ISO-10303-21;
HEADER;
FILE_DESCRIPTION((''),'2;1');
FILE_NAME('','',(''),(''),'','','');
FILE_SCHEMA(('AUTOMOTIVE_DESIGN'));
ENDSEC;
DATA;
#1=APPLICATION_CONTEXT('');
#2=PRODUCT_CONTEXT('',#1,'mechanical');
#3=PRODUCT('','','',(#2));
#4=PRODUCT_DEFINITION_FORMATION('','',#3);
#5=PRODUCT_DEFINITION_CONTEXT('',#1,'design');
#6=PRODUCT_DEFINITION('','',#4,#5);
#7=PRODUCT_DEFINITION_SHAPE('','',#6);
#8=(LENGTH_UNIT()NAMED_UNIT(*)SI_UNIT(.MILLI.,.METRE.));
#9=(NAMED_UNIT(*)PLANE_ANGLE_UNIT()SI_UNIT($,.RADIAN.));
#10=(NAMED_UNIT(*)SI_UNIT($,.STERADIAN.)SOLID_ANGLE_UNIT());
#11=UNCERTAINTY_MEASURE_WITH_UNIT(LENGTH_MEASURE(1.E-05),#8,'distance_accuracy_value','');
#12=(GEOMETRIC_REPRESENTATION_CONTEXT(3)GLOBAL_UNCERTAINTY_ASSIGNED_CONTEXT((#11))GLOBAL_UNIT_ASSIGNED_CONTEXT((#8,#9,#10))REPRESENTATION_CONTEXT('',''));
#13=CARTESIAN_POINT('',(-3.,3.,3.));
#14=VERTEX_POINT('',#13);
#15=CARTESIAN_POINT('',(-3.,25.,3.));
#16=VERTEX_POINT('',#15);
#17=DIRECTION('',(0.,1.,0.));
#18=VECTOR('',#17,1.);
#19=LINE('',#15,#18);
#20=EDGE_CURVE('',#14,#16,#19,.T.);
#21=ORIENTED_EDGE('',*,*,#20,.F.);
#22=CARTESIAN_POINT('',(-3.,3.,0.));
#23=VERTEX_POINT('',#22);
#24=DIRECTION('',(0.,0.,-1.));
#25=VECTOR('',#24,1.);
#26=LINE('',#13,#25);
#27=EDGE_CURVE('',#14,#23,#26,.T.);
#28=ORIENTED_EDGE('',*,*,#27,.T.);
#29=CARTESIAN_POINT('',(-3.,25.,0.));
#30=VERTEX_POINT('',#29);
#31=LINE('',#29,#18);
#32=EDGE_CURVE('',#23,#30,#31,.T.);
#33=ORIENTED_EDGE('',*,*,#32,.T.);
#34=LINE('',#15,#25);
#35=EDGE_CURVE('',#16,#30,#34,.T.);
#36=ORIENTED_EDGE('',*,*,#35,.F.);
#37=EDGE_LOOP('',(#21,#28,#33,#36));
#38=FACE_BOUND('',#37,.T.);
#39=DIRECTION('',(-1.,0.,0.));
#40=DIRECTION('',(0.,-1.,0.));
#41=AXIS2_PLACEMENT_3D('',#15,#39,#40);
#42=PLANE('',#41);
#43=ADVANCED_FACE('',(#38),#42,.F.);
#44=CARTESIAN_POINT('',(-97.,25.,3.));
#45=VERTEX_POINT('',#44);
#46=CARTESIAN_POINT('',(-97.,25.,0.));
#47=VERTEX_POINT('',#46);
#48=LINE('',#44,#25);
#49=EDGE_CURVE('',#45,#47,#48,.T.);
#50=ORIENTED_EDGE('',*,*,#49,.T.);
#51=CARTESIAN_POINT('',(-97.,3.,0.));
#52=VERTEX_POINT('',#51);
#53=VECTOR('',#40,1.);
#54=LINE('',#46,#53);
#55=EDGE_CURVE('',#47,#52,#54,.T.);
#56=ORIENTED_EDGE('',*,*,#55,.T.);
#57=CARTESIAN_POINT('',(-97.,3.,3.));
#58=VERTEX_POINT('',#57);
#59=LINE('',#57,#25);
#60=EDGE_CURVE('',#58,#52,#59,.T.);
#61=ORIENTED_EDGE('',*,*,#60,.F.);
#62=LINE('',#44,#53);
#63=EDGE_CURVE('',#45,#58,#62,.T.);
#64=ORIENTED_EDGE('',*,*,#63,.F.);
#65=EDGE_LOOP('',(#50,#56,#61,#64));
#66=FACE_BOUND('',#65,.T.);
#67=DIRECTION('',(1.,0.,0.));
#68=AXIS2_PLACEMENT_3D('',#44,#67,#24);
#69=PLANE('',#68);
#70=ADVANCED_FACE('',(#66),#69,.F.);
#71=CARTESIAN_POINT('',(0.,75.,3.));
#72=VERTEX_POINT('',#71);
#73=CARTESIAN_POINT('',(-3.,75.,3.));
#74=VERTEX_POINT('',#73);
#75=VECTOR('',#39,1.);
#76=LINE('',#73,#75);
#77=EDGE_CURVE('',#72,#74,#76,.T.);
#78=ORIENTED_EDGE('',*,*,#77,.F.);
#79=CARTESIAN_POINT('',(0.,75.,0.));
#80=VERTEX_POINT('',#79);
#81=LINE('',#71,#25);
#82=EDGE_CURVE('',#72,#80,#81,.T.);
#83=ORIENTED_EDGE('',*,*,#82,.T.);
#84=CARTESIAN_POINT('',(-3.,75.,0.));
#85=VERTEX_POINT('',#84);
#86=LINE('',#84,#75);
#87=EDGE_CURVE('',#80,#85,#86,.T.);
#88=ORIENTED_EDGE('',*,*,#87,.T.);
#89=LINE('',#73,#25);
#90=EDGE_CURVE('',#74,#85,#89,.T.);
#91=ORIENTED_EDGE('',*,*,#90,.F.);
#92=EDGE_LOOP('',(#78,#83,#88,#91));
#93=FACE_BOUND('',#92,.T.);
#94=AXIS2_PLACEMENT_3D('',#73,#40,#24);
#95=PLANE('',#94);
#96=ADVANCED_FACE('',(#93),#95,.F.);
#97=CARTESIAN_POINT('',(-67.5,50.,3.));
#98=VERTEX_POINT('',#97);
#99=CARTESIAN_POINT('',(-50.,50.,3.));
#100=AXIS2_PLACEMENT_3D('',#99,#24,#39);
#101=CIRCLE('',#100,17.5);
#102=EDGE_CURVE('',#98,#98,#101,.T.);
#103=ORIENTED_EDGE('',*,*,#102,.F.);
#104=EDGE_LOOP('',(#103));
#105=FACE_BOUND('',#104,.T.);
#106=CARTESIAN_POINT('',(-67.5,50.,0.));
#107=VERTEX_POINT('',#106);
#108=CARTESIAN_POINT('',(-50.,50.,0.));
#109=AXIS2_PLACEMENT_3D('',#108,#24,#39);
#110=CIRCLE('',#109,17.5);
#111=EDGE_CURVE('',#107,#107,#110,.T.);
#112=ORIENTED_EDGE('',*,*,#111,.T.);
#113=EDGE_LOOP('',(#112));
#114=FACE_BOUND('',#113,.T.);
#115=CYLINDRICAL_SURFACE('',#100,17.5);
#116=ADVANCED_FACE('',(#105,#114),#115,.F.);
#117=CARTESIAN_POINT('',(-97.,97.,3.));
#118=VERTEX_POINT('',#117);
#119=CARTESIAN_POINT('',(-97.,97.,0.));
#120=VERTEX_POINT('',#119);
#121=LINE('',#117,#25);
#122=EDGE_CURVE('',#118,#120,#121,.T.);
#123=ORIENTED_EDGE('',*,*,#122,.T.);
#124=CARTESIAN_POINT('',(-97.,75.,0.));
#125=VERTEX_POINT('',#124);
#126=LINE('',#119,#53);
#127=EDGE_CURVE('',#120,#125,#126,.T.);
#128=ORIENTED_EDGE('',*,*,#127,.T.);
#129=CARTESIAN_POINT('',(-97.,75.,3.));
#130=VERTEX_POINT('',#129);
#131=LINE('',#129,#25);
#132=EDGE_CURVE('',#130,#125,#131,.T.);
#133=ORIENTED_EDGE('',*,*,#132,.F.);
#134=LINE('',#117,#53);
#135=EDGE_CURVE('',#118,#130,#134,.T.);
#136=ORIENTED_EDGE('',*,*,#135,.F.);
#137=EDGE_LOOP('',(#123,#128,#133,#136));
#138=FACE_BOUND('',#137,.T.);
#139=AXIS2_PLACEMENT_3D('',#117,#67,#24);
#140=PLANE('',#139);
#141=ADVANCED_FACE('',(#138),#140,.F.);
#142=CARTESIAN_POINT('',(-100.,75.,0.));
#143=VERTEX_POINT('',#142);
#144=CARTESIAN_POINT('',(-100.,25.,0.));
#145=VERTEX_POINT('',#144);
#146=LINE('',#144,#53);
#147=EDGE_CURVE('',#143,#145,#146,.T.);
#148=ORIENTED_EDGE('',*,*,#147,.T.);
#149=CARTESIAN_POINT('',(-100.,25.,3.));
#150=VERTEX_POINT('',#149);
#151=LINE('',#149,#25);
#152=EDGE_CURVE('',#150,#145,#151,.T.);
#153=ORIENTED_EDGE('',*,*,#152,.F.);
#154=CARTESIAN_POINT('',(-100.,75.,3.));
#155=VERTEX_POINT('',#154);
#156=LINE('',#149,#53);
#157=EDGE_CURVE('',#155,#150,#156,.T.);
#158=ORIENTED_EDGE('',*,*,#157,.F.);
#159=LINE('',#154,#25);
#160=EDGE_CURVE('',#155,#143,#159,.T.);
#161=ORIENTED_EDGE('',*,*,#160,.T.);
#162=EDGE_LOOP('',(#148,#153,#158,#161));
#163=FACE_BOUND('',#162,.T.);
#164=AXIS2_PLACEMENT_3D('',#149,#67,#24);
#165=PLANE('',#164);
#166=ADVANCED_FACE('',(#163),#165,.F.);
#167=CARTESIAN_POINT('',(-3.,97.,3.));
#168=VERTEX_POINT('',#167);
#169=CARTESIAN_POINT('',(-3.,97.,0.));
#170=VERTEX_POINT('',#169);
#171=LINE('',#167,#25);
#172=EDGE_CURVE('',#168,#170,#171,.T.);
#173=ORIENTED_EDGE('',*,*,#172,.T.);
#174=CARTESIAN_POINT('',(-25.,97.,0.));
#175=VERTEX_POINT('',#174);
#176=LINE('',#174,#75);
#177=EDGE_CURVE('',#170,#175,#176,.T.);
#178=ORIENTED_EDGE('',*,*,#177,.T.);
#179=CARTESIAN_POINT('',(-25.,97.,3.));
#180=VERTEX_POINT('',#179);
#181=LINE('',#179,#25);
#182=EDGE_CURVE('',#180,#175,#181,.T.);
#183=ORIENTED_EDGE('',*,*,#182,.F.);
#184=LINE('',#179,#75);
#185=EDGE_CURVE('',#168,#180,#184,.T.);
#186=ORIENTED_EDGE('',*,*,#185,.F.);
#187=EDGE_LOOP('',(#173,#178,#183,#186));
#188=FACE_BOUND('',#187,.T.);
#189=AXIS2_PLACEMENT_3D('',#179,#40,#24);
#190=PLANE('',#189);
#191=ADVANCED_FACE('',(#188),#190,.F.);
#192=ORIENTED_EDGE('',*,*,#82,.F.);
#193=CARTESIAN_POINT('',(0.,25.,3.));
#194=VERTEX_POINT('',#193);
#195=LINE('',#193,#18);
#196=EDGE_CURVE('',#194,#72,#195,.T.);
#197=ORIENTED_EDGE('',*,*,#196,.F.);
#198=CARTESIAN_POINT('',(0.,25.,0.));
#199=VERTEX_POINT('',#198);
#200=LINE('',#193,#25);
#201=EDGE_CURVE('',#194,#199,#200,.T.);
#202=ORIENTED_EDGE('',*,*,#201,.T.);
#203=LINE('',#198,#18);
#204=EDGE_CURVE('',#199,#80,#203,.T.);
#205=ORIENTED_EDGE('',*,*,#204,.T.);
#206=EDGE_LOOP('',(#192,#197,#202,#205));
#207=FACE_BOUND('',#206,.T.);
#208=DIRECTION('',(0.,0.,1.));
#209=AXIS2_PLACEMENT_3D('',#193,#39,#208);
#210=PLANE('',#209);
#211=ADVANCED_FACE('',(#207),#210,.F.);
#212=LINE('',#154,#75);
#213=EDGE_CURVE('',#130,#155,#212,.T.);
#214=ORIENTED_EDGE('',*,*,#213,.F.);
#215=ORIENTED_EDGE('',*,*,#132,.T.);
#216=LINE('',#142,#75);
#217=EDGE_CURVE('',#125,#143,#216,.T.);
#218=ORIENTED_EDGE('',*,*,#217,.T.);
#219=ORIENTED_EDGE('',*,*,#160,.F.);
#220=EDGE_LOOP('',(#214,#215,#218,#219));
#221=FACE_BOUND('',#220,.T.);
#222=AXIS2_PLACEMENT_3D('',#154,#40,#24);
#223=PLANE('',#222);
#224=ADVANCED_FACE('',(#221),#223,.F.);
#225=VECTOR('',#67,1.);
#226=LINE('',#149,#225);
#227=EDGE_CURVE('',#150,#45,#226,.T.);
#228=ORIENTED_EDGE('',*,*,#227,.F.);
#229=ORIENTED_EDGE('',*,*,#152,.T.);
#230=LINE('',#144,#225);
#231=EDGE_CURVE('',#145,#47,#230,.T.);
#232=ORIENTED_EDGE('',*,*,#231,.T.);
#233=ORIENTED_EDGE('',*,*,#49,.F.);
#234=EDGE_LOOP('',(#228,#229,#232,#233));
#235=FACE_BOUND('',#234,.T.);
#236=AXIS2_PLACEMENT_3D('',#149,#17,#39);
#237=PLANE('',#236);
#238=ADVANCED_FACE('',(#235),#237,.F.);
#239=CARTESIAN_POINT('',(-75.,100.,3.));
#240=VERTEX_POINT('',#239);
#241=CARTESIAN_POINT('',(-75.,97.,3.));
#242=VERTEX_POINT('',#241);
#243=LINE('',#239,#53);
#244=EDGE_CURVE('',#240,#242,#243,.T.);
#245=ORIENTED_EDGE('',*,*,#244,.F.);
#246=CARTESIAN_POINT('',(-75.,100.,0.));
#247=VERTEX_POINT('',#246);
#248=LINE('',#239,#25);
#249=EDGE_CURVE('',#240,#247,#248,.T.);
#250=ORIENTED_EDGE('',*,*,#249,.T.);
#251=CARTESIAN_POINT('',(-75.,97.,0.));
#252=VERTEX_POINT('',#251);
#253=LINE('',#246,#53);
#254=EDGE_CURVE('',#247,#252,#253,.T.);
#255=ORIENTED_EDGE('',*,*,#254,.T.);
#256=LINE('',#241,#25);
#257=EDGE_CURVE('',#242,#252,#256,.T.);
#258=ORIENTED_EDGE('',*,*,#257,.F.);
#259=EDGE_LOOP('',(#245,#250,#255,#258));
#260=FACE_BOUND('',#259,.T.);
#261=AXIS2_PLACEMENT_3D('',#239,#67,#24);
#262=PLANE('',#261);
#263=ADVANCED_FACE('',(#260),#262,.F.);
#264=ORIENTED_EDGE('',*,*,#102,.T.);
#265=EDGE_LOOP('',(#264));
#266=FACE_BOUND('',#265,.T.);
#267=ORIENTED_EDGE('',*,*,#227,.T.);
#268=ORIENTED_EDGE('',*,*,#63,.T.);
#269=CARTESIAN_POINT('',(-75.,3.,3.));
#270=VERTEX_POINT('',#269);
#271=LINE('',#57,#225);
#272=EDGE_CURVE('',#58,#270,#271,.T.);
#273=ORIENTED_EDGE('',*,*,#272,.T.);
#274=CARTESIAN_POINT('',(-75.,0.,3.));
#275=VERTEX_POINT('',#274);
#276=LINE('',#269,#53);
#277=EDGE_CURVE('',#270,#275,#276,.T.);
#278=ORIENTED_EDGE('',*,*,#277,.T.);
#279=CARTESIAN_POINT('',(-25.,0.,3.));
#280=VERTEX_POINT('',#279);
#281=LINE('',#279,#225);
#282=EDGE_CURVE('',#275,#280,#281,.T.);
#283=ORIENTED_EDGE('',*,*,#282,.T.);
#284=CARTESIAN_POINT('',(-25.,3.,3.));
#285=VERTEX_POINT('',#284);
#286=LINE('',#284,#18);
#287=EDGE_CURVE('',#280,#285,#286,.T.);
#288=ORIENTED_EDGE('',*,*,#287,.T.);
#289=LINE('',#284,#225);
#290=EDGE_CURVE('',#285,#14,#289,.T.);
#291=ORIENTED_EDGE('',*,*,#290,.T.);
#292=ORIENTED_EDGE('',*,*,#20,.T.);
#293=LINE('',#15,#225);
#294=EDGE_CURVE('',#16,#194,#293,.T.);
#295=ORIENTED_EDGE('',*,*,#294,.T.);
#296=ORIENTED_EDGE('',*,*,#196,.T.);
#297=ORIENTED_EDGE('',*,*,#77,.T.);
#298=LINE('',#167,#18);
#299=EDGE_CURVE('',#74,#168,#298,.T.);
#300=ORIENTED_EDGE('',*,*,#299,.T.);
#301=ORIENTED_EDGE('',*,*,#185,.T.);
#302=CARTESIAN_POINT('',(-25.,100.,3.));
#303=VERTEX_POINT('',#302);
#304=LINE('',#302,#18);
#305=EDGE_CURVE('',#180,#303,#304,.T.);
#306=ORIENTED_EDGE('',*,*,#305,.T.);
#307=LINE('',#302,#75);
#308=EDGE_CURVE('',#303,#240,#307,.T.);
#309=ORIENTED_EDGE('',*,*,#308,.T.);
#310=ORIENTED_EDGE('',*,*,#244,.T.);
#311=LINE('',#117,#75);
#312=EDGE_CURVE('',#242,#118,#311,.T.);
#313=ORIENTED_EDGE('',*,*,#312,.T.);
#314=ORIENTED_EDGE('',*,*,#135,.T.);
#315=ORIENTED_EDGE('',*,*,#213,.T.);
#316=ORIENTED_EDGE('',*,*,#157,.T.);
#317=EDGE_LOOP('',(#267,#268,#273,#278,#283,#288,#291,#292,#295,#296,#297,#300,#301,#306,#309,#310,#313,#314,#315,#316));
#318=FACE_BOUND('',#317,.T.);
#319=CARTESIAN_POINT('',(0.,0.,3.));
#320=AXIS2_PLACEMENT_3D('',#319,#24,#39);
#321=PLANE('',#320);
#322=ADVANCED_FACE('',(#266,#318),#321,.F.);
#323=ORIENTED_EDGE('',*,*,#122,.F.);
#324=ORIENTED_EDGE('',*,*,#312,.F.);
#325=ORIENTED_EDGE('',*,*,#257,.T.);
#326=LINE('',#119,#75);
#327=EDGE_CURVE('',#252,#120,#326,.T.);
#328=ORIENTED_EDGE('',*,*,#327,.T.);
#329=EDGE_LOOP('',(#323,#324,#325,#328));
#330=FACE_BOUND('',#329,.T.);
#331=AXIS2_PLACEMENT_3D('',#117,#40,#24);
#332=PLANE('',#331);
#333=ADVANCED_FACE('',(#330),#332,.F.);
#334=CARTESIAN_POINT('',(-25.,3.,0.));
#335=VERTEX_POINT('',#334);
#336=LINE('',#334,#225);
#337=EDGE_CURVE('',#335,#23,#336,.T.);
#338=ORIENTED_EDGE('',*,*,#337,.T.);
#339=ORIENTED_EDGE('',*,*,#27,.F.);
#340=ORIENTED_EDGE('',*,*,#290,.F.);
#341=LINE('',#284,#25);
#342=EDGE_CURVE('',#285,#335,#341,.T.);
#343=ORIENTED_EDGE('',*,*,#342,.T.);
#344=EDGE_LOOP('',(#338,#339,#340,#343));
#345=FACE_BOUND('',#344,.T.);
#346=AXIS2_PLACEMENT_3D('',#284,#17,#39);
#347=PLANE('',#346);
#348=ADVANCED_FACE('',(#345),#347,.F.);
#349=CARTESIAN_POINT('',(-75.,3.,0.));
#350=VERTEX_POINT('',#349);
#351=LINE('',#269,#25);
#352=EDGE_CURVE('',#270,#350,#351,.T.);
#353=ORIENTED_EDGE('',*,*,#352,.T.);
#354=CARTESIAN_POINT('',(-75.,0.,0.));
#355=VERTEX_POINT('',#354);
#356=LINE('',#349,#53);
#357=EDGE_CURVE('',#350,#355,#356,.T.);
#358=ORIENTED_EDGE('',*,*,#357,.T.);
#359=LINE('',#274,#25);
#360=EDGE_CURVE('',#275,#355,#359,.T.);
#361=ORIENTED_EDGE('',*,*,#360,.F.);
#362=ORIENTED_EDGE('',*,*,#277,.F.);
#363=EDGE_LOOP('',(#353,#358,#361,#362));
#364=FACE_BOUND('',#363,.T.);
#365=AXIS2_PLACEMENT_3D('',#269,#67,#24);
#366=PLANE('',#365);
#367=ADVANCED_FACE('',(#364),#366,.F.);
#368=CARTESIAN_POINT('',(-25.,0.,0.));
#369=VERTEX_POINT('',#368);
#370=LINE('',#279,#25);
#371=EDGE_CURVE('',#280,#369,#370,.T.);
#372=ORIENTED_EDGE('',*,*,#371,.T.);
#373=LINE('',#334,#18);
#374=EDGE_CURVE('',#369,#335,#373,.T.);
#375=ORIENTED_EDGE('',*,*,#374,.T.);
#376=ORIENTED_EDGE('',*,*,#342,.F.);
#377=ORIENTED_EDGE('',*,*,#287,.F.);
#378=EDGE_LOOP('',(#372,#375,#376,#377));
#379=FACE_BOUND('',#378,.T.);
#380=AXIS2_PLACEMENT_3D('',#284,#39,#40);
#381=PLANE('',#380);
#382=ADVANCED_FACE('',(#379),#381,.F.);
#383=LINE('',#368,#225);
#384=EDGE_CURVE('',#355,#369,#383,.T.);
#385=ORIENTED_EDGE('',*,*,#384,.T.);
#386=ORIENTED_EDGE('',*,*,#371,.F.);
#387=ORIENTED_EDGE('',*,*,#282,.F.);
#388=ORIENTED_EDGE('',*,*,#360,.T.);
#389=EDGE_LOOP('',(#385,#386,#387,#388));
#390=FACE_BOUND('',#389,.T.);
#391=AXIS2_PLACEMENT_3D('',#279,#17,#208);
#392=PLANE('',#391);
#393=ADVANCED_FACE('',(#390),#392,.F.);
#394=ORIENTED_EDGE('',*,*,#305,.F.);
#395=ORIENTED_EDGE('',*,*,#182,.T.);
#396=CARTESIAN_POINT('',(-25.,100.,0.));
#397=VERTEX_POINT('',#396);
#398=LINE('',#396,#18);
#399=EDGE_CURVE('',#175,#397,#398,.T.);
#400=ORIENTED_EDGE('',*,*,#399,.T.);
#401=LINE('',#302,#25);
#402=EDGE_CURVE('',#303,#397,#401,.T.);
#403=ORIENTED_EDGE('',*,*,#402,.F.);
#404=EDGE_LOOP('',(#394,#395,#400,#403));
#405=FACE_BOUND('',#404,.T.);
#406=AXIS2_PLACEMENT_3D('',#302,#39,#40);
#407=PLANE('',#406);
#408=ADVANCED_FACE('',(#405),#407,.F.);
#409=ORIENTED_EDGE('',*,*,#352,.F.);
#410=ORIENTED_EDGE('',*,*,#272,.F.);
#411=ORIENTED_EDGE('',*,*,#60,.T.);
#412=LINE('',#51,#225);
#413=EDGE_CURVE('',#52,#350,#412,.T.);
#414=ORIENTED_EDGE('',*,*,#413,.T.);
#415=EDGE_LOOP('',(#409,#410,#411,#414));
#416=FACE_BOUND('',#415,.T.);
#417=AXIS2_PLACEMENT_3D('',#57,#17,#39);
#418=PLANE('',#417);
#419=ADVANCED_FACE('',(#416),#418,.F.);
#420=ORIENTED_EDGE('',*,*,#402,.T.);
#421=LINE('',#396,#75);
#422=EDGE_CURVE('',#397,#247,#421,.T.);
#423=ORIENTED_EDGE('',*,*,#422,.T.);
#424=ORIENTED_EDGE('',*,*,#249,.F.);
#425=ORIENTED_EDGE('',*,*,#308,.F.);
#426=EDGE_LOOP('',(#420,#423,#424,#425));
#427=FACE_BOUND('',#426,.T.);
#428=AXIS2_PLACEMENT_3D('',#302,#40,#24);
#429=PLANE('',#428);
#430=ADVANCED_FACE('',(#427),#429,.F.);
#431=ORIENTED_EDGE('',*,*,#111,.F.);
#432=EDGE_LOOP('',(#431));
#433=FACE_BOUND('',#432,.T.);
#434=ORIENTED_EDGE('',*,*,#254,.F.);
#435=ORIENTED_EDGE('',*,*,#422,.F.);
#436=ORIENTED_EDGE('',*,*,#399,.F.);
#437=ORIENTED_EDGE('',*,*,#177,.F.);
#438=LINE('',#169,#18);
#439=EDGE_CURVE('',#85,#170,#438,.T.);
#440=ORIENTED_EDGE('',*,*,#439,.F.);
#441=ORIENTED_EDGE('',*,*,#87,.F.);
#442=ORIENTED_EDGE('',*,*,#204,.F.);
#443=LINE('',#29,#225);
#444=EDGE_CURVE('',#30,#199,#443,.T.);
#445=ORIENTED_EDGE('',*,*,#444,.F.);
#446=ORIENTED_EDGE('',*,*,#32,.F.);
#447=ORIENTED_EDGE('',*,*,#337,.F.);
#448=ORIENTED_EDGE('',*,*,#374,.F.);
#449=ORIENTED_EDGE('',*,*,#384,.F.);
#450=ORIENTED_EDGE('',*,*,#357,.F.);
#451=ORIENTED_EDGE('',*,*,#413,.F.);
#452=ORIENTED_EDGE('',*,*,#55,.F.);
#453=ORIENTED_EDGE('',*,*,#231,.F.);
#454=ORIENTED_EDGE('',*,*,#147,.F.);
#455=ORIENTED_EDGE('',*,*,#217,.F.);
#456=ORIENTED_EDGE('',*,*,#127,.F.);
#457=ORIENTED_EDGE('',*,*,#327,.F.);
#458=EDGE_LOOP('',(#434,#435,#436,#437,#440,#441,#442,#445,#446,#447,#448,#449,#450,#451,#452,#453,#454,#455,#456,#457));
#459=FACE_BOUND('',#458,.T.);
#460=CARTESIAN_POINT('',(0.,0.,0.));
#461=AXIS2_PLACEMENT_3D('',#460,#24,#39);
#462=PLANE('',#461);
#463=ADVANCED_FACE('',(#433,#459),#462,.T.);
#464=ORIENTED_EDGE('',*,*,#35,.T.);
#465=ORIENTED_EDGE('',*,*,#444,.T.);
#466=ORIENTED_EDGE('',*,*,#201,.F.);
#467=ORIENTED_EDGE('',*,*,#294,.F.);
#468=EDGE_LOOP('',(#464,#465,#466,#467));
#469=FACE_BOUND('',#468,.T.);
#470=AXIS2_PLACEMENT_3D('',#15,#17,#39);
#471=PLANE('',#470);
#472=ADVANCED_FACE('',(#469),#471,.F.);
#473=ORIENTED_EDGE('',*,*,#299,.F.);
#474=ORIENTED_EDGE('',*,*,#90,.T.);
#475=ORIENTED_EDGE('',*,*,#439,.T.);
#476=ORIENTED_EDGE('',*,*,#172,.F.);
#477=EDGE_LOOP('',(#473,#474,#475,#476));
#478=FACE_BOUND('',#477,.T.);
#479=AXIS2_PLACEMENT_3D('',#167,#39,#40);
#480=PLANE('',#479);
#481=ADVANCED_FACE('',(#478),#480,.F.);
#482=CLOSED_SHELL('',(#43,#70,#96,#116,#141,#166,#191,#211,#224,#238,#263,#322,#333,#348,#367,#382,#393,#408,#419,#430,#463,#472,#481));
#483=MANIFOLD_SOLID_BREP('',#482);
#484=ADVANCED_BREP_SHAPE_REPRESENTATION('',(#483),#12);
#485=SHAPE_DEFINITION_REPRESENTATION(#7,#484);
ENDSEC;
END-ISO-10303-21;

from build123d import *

# Parameters (mm, degrees)
EXTRUDE_1_DEPTH     = 3
SKETCH_2_R          = 17.5
CUT_EXTRUDE_1_DEPTH = 142.453172464


with BuildPart() as part:
    # 草图1 → 凸台-拉伸1 (new body)
    with BuildSketch(Plane.XY):
        Polygon((-75, 100), (-75, 97), (-97, 97), (-97, 75), (-100, 75), (-100, 25), (-97, 25), (-97, 3), (-75, 3), (-75, 0), (-25, 0), (-25, 3), (-3, 3), (-3, 25), (0, 25), (0, 75), (-3, 75), (-3, 97), (-25, 97), (-25, 100), align=None)
    extrude(amount=EXTRUDE_1_DEPTH)

    # 草图2 → 切除-拉伸1 (cut, through all)
    with BuildSketch(Plane(origin=(0, 0, 0), x_dir=(-1, 0, 0), z_dir=(0, 0, -1))):
        with Locations((50, 50)):
            Circle(SKETCH_2_R)
    extrude(amount=-CUT_EXTRUDE_1_DEPTH, mode=Mode.SUBTRACT)


solid = part.part
